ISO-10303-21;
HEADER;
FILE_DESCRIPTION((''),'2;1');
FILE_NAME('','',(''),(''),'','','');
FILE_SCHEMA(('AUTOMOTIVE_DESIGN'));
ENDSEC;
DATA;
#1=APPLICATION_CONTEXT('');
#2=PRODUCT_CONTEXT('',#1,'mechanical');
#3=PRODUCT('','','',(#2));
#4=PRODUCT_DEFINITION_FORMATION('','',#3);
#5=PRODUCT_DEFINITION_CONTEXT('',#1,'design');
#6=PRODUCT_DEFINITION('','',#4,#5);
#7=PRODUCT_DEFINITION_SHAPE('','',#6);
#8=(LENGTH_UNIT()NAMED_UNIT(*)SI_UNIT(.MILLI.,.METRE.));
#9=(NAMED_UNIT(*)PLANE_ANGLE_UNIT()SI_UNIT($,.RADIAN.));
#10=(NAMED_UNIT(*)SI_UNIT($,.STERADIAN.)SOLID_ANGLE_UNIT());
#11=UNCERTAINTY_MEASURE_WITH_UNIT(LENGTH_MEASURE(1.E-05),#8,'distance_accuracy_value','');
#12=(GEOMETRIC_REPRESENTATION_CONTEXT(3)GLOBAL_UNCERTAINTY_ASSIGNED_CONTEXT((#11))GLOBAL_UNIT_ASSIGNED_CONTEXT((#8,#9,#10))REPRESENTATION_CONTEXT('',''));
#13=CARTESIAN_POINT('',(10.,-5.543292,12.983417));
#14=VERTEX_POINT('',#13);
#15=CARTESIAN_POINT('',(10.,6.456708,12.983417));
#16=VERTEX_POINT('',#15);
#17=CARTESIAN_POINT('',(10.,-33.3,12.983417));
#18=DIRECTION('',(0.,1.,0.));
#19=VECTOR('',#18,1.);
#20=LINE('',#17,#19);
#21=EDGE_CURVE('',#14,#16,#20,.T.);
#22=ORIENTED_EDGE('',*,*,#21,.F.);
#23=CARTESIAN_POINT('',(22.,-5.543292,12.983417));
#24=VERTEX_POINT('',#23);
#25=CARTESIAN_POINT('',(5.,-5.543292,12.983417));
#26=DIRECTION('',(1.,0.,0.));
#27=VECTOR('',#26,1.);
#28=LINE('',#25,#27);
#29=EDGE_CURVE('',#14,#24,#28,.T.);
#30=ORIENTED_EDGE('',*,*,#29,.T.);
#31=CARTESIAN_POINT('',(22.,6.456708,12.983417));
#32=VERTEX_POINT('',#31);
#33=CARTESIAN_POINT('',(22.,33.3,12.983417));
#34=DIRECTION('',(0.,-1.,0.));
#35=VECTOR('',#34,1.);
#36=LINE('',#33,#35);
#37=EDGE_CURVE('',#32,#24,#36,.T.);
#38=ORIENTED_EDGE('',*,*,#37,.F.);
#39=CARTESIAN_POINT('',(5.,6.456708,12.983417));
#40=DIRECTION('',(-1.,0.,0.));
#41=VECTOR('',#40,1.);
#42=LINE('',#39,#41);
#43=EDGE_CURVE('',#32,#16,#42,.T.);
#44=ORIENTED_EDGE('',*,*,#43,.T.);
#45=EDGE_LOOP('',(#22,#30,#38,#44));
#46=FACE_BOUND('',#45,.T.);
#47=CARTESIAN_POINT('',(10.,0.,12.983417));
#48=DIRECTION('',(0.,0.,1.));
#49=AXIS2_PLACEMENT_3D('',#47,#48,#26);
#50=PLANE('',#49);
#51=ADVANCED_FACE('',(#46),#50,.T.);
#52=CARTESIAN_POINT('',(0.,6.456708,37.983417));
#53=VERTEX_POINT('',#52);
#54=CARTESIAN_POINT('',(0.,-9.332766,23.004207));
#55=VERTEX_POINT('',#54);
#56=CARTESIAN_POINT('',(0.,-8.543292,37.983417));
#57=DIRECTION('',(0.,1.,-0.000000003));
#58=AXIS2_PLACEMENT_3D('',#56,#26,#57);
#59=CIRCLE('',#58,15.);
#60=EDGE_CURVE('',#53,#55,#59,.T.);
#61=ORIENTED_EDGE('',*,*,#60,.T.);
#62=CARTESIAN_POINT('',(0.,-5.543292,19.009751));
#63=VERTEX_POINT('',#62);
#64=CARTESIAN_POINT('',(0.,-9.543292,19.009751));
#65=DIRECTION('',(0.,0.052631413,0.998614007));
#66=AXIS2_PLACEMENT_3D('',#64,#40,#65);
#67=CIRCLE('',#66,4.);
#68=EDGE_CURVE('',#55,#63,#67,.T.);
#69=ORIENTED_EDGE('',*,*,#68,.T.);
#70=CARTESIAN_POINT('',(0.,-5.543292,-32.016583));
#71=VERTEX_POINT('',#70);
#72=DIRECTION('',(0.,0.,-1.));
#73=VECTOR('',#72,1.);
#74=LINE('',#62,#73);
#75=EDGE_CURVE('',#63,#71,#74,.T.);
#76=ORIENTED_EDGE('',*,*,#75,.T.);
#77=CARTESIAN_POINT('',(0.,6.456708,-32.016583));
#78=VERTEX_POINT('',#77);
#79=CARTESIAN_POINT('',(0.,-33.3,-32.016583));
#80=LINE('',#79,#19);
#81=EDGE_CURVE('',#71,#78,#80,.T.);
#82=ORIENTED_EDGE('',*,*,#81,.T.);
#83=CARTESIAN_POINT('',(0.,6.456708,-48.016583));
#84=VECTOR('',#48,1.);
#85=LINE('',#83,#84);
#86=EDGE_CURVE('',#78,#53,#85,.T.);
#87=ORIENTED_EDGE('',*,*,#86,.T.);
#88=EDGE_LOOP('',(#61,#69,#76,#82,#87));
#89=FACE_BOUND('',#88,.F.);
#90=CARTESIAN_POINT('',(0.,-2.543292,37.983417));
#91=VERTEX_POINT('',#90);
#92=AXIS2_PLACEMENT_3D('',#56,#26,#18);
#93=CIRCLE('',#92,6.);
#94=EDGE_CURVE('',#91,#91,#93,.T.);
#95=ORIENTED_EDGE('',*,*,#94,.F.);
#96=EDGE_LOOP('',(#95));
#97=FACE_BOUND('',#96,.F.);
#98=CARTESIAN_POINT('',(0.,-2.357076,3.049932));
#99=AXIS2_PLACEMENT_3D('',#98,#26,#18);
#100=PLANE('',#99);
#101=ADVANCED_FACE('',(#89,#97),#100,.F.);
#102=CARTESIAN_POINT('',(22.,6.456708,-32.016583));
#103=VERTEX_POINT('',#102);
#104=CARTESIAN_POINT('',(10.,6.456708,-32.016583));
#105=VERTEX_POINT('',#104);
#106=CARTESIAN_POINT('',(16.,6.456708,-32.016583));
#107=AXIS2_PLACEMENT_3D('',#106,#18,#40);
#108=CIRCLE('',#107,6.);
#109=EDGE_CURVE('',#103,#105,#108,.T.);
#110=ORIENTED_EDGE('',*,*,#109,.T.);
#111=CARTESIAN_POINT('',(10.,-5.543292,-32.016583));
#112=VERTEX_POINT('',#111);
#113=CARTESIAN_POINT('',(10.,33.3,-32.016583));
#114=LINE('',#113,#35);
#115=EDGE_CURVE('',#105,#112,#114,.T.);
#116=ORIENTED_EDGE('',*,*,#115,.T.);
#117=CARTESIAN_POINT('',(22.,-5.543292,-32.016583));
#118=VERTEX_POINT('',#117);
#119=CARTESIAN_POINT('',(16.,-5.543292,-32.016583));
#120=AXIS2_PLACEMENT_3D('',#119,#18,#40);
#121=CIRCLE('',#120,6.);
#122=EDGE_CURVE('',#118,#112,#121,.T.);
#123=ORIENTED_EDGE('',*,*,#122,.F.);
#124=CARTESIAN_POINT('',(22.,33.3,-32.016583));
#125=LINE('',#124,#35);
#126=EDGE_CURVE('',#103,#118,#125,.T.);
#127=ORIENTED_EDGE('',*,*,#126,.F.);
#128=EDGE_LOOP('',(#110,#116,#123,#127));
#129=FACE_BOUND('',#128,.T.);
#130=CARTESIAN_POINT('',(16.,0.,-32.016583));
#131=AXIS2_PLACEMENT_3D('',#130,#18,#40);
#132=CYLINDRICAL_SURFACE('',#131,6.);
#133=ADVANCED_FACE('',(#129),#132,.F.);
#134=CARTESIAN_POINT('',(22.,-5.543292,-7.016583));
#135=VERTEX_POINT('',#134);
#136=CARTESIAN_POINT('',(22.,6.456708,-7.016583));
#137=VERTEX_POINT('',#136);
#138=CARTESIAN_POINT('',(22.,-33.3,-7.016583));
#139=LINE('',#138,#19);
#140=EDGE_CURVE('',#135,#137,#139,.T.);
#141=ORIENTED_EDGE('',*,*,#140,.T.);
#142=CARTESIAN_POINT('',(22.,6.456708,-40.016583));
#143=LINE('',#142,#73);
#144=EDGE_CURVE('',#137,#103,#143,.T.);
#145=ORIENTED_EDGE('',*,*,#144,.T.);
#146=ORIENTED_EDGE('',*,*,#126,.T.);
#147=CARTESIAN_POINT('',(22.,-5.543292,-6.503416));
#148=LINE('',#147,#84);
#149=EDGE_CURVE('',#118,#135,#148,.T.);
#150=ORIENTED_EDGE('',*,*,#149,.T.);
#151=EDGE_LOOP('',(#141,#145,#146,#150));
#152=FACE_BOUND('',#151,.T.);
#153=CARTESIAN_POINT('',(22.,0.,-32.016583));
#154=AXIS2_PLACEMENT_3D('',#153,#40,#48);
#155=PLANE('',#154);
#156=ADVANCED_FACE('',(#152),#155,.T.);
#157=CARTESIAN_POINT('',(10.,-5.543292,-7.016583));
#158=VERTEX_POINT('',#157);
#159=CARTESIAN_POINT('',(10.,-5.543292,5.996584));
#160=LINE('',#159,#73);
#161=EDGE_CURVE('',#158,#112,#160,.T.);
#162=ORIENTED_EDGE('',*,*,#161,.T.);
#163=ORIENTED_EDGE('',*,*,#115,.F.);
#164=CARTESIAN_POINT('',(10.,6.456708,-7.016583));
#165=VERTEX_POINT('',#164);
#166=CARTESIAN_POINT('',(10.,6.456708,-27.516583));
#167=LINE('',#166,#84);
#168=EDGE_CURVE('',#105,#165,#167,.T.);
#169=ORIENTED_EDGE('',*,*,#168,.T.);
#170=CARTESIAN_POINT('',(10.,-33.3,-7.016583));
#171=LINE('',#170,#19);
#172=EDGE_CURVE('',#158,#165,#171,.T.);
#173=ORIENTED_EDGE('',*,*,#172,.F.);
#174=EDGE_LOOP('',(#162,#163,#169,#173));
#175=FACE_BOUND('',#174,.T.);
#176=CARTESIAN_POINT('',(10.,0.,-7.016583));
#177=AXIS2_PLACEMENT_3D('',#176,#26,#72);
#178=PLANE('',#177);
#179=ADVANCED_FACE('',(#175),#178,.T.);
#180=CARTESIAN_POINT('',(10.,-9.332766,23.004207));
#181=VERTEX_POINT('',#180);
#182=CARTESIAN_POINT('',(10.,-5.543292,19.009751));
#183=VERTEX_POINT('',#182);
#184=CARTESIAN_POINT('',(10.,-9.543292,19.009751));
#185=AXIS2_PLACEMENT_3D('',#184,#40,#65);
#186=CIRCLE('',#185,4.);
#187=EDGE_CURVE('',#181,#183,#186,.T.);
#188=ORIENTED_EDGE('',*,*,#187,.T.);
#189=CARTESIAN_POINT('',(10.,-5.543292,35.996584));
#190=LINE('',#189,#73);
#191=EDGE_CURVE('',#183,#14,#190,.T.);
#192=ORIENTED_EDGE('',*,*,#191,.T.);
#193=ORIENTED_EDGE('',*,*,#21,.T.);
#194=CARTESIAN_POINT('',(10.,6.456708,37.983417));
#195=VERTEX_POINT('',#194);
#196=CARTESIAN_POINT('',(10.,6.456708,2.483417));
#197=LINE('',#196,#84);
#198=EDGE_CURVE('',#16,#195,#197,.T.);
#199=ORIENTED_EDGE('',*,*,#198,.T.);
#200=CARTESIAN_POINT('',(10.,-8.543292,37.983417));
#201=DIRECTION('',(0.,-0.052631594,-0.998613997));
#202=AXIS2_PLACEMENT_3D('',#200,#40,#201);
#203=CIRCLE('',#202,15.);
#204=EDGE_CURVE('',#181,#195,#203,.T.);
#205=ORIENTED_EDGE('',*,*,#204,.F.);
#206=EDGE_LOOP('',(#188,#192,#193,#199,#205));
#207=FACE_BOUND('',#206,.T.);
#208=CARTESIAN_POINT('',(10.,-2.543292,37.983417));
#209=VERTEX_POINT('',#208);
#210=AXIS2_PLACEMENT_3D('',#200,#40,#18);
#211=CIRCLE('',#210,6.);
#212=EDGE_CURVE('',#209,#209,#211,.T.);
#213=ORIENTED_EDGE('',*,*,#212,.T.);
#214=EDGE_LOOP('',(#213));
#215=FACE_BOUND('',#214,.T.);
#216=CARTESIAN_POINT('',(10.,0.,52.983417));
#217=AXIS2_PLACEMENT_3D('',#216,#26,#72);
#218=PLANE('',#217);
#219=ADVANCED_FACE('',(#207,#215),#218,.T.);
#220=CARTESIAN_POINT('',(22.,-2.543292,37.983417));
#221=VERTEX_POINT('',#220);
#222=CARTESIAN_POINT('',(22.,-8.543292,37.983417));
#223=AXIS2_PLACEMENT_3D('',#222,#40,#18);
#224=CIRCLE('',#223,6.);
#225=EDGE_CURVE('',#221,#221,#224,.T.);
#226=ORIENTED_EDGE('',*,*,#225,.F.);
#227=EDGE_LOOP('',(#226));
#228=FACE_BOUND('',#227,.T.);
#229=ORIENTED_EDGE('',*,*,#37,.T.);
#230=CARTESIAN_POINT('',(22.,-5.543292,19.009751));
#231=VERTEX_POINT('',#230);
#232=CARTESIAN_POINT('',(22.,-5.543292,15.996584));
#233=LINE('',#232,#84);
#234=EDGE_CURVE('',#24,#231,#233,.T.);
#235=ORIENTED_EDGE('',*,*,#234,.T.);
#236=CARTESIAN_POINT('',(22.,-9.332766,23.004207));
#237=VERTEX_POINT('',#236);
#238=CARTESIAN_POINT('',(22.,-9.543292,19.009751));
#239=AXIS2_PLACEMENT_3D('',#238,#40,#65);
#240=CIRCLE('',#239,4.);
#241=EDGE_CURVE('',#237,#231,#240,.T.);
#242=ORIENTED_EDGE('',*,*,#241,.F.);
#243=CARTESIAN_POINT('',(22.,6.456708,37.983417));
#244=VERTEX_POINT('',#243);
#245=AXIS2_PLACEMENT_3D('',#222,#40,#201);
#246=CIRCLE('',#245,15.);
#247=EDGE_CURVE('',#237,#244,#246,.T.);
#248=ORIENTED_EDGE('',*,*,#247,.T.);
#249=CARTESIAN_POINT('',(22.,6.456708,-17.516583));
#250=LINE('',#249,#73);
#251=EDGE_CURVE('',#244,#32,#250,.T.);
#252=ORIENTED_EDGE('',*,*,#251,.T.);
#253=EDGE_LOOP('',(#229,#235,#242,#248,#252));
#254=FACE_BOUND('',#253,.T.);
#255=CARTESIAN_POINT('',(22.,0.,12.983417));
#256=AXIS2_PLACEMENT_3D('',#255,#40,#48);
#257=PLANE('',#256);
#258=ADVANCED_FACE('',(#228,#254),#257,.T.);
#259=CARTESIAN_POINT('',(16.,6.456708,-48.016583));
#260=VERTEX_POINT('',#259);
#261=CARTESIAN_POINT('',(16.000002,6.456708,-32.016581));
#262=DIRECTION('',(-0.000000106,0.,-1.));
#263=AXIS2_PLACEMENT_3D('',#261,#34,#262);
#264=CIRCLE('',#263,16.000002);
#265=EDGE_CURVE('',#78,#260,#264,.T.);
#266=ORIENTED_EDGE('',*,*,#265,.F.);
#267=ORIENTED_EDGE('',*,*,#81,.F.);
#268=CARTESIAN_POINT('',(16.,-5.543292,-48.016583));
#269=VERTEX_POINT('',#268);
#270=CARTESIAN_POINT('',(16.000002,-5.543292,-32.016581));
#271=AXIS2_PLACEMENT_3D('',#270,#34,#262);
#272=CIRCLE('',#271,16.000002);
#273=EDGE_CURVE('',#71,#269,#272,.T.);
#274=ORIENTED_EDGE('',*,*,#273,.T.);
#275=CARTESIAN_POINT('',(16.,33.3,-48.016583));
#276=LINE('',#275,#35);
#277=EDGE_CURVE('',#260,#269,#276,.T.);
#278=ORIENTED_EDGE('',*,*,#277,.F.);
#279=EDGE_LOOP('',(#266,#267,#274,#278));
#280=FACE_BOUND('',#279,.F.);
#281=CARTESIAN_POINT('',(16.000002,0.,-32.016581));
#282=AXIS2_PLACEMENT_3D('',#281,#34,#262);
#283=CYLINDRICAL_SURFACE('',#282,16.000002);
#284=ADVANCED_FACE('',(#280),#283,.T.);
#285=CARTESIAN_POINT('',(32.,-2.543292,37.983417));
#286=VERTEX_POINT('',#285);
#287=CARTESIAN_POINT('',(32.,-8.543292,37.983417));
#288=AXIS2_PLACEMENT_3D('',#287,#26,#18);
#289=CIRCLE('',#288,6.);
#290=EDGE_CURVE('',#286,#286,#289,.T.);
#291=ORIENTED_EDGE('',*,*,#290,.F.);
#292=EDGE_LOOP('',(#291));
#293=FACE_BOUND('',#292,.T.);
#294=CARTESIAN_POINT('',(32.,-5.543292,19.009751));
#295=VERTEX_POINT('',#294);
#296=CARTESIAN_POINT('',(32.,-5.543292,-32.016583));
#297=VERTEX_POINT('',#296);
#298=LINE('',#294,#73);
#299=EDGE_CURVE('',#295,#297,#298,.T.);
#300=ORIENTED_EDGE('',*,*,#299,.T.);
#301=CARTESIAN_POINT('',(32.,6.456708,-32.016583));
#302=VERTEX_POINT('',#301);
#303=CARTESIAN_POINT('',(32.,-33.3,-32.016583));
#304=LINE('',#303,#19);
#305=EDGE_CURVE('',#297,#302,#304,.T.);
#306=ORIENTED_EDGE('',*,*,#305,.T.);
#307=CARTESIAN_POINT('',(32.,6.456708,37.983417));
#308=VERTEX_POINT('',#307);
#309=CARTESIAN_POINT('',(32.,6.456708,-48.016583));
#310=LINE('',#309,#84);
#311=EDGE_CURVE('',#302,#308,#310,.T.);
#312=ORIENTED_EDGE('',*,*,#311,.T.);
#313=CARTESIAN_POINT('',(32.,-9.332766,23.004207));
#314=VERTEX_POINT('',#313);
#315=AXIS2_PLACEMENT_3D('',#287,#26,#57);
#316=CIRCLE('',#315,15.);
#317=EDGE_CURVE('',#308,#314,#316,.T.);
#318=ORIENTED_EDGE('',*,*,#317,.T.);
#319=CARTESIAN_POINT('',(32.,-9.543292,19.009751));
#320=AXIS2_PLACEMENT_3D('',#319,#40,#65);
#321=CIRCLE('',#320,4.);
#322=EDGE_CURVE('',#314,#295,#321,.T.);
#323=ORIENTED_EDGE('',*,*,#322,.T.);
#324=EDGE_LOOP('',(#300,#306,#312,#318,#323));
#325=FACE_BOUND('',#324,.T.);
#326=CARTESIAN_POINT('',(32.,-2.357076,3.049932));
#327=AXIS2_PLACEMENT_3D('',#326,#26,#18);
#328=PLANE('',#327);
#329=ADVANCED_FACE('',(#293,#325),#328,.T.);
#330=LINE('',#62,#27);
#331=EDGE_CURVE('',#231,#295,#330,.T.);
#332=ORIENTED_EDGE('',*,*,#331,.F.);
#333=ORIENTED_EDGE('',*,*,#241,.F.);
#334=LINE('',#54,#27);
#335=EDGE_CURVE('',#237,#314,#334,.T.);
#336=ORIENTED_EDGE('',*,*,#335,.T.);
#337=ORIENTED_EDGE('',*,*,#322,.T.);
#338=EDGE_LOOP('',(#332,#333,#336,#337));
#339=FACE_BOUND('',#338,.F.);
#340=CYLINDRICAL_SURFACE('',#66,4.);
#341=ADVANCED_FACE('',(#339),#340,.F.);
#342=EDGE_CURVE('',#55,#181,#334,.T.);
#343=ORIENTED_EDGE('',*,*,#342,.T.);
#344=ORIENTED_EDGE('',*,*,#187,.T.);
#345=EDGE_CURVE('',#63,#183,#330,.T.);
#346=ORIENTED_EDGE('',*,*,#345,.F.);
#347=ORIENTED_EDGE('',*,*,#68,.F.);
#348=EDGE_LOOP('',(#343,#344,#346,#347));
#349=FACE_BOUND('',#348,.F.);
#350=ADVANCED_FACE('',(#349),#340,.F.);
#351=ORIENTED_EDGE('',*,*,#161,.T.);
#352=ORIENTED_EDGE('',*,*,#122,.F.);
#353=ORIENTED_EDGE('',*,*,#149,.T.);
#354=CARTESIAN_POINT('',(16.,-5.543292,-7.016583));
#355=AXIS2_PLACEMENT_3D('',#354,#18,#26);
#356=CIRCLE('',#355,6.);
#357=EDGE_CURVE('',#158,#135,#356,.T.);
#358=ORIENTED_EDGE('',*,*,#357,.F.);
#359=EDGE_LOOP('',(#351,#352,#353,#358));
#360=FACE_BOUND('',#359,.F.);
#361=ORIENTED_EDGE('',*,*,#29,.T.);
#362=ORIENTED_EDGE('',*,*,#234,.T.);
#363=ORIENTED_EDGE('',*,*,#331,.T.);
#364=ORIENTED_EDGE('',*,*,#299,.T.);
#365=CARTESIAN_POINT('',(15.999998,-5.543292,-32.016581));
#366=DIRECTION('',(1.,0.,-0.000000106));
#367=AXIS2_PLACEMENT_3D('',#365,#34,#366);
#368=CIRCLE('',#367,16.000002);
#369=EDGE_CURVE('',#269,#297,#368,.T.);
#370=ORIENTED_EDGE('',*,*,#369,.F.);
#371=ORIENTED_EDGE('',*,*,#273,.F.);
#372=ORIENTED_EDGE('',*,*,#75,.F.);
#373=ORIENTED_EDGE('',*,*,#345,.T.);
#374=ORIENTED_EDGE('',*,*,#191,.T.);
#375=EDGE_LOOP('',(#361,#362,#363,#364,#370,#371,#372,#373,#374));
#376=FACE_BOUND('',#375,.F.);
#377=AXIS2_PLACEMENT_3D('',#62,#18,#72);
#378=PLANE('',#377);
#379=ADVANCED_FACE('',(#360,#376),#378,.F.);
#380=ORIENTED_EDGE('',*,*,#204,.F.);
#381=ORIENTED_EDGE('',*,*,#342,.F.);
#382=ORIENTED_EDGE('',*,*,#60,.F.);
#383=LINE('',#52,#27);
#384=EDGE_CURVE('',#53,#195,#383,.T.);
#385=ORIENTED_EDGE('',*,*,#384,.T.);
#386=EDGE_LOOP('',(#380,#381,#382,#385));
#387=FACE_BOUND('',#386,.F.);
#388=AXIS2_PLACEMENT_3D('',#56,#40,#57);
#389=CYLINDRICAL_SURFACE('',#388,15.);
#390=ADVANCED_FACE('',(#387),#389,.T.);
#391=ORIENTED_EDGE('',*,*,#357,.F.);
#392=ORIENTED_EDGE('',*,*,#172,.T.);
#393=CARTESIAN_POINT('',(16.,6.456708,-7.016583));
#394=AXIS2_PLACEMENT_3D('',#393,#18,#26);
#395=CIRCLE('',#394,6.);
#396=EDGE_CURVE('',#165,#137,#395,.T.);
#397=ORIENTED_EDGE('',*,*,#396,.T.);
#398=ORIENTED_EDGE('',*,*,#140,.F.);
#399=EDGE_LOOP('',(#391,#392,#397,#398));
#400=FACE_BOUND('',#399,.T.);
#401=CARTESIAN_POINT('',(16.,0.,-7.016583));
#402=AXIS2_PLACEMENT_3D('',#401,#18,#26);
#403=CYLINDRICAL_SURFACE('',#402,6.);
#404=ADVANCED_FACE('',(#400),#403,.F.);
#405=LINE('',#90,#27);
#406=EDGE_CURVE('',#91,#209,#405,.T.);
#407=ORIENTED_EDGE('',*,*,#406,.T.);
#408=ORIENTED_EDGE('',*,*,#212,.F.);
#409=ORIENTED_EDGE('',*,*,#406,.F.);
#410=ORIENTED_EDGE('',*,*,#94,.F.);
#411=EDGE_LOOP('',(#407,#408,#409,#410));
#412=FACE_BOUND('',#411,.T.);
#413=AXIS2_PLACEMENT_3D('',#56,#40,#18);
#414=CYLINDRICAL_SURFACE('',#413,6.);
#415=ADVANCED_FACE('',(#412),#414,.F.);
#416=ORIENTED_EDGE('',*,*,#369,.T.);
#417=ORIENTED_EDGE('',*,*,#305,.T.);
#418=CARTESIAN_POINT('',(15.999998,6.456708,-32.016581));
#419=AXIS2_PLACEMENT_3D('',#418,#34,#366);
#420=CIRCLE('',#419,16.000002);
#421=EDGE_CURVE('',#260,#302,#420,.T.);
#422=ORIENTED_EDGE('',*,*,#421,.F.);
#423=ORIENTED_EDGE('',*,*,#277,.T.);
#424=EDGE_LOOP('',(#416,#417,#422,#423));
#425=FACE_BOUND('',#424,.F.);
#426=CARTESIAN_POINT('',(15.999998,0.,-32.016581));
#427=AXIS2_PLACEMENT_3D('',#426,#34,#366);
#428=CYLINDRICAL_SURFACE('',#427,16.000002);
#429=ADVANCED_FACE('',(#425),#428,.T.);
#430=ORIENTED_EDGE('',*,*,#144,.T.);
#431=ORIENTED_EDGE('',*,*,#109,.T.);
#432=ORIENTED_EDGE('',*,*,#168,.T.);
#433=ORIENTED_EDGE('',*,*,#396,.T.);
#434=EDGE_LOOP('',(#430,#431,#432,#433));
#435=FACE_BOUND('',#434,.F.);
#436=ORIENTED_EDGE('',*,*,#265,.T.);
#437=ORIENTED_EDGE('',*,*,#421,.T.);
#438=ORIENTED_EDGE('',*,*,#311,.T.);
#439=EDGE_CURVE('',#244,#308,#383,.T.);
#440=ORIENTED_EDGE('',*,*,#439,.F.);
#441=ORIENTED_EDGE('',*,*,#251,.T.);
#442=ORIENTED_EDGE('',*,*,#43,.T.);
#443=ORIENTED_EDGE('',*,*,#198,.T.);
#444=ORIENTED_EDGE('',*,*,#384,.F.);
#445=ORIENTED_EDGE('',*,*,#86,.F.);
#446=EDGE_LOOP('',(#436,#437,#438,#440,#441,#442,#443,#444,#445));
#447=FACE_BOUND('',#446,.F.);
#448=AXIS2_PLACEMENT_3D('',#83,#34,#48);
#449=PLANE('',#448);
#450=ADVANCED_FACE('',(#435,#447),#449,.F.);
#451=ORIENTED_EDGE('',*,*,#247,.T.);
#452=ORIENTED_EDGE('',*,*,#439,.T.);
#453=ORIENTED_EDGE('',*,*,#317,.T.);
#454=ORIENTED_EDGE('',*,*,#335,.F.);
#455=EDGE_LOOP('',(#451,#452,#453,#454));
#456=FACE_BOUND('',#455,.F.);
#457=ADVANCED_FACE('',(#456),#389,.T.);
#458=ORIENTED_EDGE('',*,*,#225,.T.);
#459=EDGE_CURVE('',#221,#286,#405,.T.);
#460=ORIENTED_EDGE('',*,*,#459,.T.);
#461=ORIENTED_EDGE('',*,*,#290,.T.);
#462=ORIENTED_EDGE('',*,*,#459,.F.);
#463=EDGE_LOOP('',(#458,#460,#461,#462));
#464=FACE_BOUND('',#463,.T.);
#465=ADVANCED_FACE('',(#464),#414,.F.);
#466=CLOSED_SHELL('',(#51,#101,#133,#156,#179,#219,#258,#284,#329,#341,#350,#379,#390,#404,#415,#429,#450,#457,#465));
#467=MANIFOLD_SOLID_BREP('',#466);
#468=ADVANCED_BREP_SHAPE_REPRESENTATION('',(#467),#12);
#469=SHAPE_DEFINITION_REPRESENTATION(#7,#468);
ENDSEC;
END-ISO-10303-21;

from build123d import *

# Parameters (mm, degrees)
F0_R     = 6
F1_DEPTH = 32
F2_W     = 12
F2_H     = 25
F2_H_2   = 15
F3_DEPTH = 33.3


with BuildPart() as f1:
    # F0 (on Right) → F1 (new body)
    with BuildSketch(Plane.YZ):
        with BuildLine():
            Line((6.456708, -48.016583), (6.456708, 37.983417))
            ThreePointArc((6.456708, 37.983417), (-18.867, 48.865561), (-9.332766, 23.004207))
            ThreePointArc((-9.332766, 23.004207), (-6.641387, 21.76274), (-5.543292, 19.009751))
            Line((-5.543292, 19.009751), (-5.543292, -48.016583))
            Line((-5.543292, -48.016583), (6.456708, -48.016583))
        make_face()
        with Locations((-8.543292, 37.983417)):
            Circle(F0_R, mode=Mode.SUBTRACT)
    extrude(amount=F1_DEPTH)

    # F2 (on Front) → F3 (cut, symmetric)
    with BuildSketch(Plane.XZ):
        with Locations((16, 25.483417)):
            Rectangle(F2_W, F2_H)
        with Locations((16, 45.483417)):
            Rectangle(F2_W, F2_H_2)
        with BuildLine():
            Line((10, -7.016583), (10, -32.016583))
            ThreePointArc((10, -32.016583), (16, -38.016583), (22, -32.016583))
            Line((22, -32.016583), (22, -7.016583))
            ThreePointArc((22, -7.016583), (16, -1.016583), (10, -7.016583))
        make_face()
        with BuildLine():
            Line((32, -48.016583), (32, -32.016583))
            ThreePointArc((32, -32.016583), (27.313708, -43.330291), (16, -48.016583))
            Line((16, -48.016583), (32, -48.016583))
        make_face()
        with BuildLine():
            Line((0, -48.016583), (16, -48.016583))
            ThreePointArc((16, -48.016583), (4.686292, -43.330291), (0, -32.016583))
            Line((0, -32.016583), (0, -48.016583))
        make_face()
    extrude(amount=F3_DEPTH, both=True, mode=Mode.SUBTRACT)


solid = f1.part
